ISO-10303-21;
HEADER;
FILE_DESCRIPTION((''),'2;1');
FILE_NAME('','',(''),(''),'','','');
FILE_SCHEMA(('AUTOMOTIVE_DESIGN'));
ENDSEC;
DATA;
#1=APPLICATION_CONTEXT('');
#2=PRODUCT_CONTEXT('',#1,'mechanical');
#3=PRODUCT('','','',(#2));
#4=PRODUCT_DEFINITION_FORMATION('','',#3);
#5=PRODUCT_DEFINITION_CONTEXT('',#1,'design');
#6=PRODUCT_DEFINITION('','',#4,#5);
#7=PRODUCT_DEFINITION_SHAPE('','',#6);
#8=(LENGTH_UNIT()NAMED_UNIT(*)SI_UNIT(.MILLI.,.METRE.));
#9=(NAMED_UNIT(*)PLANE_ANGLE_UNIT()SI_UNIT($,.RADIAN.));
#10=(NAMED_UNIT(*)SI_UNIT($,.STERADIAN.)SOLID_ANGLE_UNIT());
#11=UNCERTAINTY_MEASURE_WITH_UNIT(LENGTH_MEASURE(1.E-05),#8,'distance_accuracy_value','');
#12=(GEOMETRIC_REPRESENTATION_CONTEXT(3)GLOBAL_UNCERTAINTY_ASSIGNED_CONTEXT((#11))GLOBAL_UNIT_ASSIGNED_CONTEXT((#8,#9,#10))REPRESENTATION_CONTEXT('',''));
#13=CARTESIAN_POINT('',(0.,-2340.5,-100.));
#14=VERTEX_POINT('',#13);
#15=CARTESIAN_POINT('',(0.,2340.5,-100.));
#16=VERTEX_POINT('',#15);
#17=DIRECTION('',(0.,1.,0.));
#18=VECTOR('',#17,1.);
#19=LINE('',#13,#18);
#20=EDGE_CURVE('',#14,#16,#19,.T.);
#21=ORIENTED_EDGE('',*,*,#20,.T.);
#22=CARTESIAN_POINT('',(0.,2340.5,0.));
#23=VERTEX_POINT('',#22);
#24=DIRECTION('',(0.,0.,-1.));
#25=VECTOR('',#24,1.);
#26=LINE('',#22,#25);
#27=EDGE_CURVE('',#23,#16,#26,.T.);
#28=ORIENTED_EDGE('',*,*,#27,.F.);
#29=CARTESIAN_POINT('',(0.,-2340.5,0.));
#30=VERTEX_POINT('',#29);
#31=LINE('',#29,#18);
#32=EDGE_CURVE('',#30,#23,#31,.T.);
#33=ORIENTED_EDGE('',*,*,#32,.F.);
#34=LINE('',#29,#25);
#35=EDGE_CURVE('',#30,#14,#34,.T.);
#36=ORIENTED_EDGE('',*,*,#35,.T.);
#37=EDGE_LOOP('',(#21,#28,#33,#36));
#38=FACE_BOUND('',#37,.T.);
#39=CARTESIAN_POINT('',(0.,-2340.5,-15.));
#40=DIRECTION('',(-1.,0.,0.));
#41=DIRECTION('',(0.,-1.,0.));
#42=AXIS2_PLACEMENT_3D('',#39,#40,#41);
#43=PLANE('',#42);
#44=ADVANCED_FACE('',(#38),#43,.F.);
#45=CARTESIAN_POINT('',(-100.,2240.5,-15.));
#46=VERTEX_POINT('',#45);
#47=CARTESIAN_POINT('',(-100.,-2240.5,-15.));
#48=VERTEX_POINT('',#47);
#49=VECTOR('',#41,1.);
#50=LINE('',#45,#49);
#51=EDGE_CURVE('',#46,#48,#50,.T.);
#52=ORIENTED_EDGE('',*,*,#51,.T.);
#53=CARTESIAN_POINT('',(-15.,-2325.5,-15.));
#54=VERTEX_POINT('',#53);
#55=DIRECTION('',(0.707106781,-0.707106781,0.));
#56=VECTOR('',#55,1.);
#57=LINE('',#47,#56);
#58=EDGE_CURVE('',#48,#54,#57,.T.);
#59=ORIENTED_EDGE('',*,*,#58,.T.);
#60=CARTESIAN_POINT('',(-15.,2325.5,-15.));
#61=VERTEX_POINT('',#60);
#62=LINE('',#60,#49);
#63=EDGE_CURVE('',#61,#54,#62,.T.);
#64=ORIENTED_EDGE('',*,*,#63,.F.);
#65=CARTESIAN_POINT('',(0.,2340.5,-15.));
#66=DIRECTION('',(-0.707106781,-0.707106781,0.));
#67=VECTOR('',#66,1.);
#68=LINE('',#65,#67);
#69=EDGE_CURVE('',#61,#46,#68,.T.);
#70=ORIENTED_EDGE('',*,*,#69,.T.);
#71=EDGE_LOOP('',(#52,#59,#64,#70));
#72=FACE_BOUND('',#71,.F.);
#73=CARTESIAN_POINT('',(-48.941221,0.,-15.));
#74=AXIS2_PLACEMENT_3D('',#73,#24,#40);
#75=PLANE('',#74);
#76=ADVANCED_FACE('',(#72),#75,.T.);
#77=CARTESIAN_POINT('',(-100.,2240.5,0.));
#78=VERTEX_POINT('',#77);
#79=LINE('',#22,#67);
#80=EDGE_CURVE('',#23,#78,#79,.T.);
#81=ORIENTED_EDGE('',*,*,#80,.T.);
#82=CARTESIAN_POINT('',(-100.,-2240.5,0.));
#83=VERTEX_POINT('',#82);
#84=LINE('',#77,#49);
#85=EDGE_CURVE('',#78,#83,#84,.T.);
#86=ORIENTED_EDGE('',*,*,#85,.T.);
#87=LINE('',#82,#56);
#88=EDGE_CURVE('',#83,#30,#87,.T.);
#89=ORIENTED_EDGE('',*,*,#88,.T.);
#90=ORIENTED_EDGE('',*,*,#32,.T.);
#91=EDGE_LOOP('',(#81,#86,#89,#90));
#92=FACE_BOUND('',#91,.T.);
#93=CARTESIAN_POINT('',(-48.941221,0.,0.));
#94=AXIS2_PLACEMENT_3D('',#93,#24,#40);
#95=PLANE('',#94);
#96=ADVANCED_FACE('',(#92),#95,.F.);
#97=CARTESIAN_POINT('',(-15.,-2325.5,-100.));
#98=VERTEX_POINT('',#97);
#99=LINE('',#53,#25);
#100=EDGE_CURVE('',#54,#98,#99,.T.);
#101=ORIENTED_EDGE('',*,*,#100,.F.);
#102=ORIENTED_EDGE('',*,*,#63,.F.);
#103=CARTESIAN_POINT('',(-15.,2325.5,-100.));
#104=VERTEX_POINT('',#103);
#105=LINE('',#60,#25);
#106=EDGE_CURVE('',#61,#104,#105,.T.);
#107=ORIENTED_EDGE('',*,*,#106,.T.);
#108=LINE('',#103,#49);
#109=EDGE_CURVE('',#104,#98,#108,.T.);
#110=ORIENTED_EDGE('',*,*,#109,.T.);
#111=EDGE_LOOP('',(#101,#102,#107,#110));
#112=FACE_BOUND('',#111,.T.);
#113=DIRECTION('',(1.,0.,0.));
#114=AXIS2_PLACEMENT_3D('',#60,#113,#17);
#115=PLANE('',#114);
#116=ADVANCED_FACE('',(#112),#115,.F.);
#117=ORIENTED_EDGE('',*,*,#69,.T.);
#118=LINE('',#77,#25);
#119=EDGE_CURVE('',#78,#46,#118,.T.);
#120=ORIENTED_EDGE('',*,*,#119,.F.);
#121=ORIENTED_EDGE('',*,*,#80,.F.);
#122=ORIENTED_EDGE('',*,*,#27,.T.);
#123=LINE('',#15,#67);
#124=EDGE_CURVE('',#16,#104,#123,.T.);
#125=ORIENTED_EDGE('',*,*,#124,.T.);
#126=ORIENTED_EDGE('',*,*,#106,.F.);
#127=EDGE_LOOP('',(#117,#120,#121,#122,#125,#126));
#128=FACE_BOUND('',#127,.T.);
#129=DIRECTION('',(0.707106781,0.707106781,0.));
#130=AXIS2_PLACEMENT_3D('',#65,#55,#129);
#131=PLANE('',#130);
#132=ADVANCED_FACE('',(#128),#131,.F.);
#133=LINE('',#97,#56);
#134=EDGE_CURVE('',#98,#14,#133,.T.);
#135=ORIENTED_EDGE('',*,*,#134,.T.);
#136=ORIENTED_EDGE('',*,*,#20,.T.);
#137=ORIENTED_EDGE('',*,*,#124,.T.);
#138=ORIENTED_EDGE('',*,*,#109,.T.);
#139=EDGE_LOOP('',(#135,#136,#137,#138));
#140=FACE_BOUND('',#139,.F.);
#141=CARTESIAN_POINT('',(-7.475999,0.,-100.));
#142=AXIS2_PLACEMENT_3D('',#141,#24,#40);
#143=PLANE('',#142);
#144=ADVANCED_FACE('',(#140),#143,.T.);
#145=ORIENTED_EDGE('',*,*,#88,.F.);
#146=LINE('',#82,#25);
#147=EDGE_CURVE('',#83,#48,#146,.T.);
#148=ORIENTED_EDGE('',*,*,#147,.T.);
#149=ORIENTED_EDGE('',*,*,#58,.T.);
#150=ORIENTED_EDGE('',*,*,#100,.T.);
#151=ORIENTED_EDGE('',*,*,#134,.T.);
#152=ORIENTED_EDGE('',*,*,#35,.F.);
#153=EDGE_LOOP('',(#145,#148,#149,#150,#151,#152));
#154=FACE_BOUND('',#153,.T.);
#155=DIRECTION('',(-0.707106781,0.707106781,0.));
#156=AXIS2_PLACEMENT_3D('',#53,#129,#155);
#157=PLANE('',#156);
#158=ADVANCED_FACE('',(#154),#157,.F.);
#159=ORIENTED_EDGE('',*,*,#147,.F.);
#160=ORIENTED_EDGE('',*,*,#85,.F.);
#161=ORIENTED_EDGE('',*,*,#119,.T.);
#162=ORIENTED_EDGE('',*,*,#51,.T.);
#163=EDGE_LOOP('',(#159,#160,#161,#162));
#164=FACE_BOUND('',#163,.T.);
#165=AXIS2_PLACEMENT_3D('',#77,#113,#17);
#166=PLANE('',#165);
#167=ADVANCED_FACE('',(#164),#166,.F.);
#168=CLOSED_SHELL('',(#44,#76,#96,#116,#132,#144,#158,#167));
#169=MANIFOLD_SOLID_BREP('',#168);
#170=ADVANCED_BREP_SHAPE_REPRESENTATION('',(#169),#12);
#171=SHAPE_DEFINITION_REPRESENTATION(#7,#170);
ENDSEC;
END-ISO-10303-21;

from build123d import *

# Parameters (mm, degrees)
F1_DEPTH = 15
F3_DEPTH = 85


with BuildPart() as f1:
    # F0 (on Top) → F1 (new body)
    with BuildSketch(Plane.XY):
        Polygon((-100, -2240.5), (0, -2340.5), (0, 2340.5), (-100, 2240.5), align=None)
    extrude(amount=F1_DEPTH)

    # F2 (on face) → F3 (join)
    with BuildSketch(Plane.XY.offset(15)):
        Polygon((-15, -2325.5), (0, -2340.5), (0, 2340.5), (-15, 2325.5), align=None)
    extrude(amount=F3_DEPTH)


with BuildPart() as f4_1:
    # F4: instance of F1
    add(f1.part.mirror(Plane.XY))


solid = f4_1.part
